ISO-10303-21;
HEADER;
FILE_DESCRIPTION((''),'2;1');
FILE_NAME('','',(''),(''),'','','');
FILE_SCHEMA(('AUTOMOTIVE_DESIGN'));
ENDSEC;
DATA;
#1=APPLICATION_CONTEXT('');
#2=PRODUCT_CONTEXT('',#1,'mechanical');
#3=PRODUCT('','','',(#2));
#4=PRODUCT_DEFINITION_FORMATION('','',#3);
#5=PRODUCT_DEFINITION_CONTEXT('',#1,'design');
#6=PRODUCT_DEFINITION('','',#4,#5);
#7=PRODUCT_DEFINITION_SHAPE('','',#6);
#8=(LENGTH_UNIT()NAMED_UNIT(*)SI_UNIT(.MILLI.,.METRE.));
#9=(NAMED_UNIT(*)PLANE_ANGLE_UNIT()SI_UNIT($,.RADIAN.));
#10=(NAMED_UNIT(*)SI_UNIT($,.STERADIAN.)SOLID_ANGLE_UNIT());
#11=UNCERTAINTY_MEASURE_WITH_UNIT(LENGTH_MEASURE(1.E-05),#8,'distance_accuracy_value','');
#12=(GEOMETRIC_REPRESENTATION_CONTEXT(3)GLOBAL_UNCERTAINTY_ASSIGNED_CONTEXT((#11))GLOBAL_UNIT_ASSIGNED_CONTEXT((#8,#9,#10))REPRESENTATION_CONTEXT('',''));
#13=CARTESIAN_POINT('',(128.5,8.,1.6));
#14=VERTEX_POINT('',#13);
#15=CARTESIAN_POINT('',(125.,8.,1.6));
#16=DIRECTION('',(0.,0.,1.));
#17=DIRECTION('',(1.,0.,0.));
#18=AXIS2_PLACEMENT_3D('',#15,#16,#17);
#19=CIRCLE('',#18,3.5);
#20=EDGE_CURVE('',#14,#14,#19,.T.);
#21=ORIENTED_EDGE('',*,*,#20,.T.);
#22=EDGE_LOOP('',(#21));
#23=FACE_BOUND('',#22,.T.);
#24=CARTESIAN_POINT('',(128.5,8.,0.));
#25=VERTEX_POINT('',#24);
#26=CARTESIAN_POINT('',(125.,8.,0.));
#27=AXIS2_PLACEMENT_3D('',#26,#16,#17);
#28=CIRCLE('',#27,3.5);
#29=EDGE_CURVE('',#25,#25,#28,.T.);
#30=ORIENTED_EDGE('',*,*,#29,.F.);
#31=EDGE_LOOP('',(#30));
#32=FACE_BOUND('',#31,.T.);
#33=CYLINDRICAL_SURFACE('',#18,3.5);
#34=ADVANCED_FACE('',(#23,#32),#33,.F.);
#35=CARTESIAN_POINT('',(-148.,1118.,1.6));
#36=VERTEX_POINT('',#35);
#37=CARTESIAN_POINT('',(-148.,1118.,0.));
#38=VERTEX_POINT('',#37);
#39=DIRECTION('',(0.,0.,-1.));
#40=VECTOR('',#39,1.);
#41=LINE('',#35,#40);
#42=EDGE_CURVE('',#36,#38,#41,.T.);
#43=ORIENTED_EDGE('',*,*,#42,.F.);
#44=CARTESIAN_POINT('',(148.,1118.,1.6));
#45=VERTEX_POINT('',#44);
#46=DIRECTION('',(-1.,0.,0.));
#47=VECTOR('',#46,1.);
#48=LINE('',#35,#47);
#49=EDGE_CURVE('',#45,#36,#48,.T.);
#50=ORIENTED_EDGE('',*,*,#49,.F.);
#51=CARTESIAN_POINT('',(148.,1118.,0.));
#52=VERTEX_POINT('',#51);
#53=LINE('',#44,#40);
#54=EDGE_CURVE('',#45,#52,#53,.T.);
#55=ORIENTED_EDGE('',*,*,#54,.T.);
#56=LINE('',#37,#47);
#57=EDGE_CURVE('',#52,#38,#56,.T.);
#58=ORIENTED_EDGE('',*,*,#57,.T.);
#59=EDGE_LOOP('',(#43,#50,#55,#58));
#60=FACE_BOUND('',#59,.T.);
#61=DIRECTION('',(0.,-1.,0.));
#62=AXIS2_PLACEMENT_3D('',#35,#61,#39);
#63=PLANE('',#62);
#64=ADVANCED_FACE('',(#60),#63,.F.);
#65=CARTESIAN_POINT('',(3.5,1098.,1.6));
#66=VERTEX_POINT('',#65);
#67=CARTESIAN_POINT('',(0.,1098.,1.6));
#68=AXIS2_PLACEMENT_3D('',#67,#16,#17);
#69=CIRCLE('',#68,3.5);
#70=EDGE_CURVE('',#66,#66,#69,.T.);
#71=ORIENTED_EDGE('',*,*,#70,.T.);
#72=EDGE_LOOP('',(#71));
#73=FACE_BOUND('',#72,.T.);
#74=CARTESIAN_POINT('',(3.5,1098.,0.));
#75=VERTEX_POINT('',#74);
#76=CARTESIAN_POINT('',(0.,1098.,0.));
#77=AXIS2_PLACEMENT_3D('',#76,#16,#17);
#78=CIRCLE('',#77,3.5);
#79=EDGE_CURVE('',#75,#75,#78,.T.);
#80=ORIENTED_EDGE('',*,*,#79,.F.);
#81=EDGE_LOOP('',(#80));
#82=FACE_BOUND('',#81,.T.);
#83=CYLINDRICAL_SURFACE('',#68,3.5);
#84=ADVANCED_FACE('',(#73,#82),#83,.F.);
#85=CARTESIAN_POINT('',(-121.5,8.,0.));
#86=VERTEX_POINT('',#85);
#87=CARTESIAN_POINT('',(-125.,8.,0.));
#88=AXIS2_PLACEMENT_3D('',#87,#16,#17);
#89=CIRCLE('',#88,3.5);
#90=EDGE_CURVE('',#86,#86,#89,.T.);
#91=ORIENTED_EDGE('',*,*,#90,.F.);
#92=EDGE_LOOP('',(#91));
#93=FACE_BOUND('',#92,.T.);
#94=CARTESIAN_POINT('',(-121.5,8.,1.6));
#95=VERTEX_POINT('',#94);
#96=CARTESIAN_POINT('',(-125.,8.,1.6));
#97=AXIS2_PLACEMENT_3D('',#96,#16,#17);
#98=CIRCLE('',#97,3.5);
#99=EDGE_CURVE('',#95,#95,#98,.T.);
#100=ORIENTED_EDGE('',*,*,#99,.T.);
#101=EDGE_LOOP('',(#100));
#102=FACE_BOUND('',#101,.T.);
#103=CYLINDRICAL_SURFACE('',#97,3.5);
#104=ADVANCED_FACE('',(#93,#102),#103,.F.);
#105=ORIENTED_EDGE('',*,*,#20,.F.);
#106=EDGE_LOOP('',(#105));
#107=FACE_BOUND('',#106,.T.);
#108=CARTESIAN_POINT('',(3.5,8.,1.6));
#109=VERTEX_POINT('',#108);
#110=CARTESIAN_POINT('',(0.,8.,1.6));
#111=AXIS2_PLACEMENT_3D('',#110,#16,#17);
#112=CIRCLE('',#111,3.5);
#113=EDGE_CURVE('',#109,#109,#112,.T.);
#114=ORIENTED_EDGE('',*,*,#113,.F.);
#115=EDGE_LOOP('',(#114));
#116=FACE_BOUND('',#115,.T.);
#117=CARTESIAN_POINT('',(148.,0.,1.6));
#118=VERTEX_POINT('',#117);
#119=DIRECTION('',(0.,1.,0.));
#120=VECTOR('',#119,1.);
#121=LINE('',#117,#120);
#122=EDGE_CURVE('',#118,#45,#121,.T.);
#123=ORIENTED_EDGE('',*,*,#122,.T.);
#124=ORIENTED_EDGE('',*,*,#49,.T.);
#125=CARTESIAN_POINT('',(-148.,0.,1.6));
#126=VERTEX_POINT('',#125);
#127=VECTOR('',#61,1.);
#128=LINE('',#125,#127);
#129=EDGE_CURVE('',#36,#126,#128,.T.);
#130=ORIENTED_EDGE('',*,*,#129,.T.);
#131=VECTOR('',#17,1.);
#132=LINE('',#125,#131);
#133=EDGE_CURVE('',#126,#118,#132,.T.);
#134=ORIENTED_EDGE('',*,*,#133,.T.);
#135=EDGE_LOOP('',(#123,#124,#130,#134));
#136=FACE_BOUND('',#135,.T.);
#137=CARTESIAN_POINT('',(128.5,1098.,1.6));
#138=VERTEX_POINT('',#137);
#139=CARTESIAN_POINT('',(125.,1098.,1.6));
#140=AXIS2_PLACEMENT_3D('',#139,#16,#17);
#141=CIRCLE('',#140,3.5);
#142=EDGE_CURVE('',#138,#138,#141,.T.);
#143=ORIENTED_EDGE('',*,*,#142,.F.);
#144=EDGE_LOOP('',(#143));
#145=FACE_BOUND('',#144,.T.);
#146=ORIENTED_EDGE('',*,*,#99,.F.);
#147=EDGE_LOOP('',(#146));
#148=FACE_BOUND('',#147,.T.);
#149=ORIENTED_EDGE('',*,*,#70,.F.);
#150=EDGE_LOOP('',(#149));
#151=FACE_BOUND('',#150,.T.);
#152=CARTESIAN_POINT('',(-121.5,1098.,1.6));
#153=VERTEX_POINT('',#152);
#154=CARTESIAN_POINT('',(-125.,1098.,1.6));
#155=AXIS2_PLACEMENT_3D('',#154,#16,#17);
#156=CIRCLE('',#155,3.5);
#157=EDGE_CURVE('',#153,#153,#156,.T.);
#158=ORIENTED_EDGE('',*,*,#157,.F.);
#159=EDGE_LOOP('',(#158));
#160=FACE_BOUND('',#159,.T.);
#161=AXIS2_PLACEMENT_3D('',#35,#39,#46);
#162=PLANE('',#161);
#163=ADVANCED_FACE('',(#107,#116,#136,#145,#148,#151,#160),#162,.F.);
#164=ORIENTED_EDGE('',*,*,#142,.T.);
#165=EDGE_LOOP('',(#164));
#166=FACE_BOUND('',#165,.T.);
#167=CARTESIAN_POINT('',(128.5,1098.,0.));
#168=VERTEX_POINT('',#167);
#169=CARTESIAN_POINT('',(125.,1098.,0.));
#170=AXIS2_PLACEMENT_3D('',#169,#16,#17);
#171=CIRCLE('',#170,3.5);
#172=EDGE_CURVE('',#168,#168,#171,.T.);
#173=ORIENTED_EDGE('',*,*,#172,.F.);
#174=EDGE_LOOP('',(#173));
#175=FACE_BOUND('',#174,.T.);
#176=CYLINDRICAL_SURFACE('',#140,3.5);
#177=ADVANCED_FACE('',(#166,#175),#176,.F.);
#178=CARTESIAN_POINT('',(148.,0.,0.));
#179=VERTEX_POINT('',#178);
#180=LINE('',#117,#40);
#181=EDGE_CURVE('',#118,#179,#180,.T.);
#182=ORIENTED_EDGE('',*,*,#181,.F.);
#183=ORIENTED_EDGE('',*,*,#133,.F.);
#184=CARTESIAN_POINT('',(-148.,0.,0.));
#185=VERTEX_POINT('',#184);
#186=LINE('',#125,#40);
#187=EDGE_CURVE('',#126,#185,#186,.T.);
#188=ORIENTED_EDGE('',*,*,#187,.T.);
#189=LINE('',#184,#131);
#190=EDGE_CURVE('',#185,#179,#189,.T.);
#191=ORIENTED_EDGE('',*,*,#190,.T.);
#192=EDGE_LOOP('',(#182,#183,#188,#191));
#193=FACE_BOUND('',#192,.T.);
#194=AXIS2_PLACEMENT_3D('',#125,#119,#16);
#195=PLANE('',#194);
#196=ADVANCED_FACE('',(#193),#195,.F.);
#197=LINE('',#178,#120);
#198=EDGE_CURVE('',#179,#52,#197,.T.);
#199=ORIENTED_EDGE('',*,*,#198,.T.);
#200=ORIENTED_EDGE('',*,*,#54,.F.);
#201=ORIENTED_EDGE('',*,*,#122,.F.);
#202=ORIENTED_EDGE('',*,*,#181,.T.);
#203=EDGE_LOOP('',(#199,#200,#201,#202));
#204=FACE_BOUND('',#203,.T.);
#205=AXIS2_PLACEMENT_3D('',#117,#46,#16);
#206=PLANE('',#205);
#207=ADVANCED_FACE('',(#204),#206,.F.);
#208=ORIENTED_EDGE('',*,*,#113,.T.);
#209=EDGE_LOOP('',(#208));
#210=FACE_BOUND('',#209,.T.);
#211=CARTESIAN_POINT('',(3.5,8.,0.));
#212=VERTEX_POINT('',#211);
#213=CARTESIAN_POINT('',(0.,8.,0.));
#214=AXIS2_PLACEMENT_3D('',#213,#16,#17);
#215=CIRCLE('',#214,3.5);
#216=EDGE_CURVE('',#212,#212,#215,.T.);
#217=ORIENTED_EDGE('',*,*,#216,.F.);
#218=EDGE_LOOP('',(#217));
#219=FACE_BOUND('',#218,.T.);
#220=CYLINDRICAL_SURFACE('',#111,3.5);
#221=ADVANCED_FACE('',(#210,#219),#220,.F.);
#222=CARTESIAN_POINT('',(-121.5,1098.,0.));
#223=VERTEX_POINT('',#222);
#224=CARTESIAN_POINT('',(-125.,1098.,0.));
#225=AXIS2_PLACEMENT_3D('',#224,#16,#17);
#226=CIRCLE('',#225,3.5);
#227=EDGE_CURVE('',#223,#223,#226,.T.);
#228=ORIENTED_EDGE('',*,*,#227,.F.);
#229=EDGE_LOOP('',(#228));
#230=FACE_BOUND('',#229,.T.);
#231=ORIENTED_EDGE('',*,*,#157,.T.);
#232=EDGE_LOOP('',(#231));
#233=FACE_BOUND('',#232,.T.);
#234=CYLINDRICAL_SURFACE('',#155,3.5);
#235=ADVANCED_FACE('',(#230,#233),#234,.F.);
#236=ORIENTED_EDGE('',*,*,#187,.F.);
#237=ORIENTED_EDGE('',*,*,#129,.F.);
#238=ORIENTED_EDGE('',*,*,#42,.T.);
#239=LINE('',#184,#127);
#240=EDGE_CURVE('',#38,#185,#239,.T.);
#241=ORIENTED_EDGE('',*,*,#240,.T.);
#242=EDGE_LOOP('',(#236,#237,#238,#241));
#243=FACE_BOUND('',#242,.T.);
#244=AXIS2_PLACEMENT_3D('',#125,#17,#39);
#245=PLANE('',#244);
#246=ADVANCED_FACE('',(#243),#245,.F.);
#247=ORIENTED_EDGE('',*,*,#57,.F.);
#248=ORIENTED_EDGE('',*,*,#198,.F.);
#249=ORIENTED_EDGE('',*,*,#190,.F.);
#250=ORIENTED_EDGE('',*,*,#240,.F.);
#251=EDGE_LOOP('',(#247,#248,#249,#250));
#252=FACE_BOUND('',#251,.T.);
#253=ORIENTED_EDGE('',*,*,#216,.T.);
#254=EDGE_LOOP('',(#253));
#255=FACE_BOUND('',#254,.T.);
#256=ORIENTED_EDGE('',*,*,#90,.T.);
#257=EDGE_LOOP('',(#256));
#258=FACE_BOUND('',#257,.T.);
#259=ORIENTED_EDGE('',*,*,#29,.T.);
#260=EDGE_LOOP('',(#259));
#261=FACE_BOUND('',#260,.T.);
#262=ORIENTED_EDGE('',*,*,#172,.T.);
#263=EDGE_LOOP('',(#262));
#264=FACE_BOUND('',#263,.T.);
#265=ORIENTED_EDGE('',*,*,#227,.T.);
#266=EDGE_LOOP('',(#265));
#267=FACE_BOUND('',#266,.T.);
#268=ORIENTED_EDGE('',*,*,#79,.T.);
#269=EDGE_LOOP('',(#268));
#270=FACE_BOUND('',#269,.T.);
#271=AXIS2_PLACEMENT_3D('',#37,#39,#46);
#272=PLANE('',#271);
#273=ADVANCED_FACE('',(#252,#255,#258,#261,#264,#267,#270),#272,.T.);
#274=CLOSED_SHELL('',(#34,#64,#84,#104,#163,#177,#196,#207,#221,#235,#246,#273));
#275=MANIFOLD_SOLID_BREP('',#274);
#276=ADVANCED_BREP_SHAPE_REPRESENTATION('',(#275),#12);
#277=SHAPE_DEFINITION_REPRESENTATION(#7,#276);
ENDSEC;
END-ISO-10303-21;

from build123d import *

# Parameters (mm, degrees)
SKETCH1_W                = 296
SKETCH1_H                = 1118
BOSS_EXTRUDE1_DEPTH      = 1.6
F_7_0_7_DIAMETER_HOLE1_D = 7
LPATTERN1_COUNT          = 2
LPATTERN1_PITCH          = 1090


with BuildPart() as part:
    # Sketch1 → Boss-Extrude1 (new body)
    with BuildSketch(Plane.XY):
        with Locations((0, 559)):
            Rectangle(SKETCH1_W, SKETCH1_H)
    extrude(amount=BOSS_EXTRUDE1_DEPTH)

    # Ø7.0 (7) Diameter Hole1 (through all)
    with Locations(Plane.XY.offset(1.6)):
        with Locations((-125, 8), (0, 8), (125, 8)):
            f_7_0_7_diameter_hole1 = Hole(F_7_0_7_DIAMETER_HOLE1_D / 2)

    # LPattern1: Ø7.0 (7) Diameter Hole1 ×2
    with Locations(*[(0, i * LPATTERN1_PITCH, 0) for i in range(1, LPATTERN1_COUNT)]):
        add(f_7_0_7_diameter_hole1, mode=Mode.SUBTRACT)


solid = part.part
